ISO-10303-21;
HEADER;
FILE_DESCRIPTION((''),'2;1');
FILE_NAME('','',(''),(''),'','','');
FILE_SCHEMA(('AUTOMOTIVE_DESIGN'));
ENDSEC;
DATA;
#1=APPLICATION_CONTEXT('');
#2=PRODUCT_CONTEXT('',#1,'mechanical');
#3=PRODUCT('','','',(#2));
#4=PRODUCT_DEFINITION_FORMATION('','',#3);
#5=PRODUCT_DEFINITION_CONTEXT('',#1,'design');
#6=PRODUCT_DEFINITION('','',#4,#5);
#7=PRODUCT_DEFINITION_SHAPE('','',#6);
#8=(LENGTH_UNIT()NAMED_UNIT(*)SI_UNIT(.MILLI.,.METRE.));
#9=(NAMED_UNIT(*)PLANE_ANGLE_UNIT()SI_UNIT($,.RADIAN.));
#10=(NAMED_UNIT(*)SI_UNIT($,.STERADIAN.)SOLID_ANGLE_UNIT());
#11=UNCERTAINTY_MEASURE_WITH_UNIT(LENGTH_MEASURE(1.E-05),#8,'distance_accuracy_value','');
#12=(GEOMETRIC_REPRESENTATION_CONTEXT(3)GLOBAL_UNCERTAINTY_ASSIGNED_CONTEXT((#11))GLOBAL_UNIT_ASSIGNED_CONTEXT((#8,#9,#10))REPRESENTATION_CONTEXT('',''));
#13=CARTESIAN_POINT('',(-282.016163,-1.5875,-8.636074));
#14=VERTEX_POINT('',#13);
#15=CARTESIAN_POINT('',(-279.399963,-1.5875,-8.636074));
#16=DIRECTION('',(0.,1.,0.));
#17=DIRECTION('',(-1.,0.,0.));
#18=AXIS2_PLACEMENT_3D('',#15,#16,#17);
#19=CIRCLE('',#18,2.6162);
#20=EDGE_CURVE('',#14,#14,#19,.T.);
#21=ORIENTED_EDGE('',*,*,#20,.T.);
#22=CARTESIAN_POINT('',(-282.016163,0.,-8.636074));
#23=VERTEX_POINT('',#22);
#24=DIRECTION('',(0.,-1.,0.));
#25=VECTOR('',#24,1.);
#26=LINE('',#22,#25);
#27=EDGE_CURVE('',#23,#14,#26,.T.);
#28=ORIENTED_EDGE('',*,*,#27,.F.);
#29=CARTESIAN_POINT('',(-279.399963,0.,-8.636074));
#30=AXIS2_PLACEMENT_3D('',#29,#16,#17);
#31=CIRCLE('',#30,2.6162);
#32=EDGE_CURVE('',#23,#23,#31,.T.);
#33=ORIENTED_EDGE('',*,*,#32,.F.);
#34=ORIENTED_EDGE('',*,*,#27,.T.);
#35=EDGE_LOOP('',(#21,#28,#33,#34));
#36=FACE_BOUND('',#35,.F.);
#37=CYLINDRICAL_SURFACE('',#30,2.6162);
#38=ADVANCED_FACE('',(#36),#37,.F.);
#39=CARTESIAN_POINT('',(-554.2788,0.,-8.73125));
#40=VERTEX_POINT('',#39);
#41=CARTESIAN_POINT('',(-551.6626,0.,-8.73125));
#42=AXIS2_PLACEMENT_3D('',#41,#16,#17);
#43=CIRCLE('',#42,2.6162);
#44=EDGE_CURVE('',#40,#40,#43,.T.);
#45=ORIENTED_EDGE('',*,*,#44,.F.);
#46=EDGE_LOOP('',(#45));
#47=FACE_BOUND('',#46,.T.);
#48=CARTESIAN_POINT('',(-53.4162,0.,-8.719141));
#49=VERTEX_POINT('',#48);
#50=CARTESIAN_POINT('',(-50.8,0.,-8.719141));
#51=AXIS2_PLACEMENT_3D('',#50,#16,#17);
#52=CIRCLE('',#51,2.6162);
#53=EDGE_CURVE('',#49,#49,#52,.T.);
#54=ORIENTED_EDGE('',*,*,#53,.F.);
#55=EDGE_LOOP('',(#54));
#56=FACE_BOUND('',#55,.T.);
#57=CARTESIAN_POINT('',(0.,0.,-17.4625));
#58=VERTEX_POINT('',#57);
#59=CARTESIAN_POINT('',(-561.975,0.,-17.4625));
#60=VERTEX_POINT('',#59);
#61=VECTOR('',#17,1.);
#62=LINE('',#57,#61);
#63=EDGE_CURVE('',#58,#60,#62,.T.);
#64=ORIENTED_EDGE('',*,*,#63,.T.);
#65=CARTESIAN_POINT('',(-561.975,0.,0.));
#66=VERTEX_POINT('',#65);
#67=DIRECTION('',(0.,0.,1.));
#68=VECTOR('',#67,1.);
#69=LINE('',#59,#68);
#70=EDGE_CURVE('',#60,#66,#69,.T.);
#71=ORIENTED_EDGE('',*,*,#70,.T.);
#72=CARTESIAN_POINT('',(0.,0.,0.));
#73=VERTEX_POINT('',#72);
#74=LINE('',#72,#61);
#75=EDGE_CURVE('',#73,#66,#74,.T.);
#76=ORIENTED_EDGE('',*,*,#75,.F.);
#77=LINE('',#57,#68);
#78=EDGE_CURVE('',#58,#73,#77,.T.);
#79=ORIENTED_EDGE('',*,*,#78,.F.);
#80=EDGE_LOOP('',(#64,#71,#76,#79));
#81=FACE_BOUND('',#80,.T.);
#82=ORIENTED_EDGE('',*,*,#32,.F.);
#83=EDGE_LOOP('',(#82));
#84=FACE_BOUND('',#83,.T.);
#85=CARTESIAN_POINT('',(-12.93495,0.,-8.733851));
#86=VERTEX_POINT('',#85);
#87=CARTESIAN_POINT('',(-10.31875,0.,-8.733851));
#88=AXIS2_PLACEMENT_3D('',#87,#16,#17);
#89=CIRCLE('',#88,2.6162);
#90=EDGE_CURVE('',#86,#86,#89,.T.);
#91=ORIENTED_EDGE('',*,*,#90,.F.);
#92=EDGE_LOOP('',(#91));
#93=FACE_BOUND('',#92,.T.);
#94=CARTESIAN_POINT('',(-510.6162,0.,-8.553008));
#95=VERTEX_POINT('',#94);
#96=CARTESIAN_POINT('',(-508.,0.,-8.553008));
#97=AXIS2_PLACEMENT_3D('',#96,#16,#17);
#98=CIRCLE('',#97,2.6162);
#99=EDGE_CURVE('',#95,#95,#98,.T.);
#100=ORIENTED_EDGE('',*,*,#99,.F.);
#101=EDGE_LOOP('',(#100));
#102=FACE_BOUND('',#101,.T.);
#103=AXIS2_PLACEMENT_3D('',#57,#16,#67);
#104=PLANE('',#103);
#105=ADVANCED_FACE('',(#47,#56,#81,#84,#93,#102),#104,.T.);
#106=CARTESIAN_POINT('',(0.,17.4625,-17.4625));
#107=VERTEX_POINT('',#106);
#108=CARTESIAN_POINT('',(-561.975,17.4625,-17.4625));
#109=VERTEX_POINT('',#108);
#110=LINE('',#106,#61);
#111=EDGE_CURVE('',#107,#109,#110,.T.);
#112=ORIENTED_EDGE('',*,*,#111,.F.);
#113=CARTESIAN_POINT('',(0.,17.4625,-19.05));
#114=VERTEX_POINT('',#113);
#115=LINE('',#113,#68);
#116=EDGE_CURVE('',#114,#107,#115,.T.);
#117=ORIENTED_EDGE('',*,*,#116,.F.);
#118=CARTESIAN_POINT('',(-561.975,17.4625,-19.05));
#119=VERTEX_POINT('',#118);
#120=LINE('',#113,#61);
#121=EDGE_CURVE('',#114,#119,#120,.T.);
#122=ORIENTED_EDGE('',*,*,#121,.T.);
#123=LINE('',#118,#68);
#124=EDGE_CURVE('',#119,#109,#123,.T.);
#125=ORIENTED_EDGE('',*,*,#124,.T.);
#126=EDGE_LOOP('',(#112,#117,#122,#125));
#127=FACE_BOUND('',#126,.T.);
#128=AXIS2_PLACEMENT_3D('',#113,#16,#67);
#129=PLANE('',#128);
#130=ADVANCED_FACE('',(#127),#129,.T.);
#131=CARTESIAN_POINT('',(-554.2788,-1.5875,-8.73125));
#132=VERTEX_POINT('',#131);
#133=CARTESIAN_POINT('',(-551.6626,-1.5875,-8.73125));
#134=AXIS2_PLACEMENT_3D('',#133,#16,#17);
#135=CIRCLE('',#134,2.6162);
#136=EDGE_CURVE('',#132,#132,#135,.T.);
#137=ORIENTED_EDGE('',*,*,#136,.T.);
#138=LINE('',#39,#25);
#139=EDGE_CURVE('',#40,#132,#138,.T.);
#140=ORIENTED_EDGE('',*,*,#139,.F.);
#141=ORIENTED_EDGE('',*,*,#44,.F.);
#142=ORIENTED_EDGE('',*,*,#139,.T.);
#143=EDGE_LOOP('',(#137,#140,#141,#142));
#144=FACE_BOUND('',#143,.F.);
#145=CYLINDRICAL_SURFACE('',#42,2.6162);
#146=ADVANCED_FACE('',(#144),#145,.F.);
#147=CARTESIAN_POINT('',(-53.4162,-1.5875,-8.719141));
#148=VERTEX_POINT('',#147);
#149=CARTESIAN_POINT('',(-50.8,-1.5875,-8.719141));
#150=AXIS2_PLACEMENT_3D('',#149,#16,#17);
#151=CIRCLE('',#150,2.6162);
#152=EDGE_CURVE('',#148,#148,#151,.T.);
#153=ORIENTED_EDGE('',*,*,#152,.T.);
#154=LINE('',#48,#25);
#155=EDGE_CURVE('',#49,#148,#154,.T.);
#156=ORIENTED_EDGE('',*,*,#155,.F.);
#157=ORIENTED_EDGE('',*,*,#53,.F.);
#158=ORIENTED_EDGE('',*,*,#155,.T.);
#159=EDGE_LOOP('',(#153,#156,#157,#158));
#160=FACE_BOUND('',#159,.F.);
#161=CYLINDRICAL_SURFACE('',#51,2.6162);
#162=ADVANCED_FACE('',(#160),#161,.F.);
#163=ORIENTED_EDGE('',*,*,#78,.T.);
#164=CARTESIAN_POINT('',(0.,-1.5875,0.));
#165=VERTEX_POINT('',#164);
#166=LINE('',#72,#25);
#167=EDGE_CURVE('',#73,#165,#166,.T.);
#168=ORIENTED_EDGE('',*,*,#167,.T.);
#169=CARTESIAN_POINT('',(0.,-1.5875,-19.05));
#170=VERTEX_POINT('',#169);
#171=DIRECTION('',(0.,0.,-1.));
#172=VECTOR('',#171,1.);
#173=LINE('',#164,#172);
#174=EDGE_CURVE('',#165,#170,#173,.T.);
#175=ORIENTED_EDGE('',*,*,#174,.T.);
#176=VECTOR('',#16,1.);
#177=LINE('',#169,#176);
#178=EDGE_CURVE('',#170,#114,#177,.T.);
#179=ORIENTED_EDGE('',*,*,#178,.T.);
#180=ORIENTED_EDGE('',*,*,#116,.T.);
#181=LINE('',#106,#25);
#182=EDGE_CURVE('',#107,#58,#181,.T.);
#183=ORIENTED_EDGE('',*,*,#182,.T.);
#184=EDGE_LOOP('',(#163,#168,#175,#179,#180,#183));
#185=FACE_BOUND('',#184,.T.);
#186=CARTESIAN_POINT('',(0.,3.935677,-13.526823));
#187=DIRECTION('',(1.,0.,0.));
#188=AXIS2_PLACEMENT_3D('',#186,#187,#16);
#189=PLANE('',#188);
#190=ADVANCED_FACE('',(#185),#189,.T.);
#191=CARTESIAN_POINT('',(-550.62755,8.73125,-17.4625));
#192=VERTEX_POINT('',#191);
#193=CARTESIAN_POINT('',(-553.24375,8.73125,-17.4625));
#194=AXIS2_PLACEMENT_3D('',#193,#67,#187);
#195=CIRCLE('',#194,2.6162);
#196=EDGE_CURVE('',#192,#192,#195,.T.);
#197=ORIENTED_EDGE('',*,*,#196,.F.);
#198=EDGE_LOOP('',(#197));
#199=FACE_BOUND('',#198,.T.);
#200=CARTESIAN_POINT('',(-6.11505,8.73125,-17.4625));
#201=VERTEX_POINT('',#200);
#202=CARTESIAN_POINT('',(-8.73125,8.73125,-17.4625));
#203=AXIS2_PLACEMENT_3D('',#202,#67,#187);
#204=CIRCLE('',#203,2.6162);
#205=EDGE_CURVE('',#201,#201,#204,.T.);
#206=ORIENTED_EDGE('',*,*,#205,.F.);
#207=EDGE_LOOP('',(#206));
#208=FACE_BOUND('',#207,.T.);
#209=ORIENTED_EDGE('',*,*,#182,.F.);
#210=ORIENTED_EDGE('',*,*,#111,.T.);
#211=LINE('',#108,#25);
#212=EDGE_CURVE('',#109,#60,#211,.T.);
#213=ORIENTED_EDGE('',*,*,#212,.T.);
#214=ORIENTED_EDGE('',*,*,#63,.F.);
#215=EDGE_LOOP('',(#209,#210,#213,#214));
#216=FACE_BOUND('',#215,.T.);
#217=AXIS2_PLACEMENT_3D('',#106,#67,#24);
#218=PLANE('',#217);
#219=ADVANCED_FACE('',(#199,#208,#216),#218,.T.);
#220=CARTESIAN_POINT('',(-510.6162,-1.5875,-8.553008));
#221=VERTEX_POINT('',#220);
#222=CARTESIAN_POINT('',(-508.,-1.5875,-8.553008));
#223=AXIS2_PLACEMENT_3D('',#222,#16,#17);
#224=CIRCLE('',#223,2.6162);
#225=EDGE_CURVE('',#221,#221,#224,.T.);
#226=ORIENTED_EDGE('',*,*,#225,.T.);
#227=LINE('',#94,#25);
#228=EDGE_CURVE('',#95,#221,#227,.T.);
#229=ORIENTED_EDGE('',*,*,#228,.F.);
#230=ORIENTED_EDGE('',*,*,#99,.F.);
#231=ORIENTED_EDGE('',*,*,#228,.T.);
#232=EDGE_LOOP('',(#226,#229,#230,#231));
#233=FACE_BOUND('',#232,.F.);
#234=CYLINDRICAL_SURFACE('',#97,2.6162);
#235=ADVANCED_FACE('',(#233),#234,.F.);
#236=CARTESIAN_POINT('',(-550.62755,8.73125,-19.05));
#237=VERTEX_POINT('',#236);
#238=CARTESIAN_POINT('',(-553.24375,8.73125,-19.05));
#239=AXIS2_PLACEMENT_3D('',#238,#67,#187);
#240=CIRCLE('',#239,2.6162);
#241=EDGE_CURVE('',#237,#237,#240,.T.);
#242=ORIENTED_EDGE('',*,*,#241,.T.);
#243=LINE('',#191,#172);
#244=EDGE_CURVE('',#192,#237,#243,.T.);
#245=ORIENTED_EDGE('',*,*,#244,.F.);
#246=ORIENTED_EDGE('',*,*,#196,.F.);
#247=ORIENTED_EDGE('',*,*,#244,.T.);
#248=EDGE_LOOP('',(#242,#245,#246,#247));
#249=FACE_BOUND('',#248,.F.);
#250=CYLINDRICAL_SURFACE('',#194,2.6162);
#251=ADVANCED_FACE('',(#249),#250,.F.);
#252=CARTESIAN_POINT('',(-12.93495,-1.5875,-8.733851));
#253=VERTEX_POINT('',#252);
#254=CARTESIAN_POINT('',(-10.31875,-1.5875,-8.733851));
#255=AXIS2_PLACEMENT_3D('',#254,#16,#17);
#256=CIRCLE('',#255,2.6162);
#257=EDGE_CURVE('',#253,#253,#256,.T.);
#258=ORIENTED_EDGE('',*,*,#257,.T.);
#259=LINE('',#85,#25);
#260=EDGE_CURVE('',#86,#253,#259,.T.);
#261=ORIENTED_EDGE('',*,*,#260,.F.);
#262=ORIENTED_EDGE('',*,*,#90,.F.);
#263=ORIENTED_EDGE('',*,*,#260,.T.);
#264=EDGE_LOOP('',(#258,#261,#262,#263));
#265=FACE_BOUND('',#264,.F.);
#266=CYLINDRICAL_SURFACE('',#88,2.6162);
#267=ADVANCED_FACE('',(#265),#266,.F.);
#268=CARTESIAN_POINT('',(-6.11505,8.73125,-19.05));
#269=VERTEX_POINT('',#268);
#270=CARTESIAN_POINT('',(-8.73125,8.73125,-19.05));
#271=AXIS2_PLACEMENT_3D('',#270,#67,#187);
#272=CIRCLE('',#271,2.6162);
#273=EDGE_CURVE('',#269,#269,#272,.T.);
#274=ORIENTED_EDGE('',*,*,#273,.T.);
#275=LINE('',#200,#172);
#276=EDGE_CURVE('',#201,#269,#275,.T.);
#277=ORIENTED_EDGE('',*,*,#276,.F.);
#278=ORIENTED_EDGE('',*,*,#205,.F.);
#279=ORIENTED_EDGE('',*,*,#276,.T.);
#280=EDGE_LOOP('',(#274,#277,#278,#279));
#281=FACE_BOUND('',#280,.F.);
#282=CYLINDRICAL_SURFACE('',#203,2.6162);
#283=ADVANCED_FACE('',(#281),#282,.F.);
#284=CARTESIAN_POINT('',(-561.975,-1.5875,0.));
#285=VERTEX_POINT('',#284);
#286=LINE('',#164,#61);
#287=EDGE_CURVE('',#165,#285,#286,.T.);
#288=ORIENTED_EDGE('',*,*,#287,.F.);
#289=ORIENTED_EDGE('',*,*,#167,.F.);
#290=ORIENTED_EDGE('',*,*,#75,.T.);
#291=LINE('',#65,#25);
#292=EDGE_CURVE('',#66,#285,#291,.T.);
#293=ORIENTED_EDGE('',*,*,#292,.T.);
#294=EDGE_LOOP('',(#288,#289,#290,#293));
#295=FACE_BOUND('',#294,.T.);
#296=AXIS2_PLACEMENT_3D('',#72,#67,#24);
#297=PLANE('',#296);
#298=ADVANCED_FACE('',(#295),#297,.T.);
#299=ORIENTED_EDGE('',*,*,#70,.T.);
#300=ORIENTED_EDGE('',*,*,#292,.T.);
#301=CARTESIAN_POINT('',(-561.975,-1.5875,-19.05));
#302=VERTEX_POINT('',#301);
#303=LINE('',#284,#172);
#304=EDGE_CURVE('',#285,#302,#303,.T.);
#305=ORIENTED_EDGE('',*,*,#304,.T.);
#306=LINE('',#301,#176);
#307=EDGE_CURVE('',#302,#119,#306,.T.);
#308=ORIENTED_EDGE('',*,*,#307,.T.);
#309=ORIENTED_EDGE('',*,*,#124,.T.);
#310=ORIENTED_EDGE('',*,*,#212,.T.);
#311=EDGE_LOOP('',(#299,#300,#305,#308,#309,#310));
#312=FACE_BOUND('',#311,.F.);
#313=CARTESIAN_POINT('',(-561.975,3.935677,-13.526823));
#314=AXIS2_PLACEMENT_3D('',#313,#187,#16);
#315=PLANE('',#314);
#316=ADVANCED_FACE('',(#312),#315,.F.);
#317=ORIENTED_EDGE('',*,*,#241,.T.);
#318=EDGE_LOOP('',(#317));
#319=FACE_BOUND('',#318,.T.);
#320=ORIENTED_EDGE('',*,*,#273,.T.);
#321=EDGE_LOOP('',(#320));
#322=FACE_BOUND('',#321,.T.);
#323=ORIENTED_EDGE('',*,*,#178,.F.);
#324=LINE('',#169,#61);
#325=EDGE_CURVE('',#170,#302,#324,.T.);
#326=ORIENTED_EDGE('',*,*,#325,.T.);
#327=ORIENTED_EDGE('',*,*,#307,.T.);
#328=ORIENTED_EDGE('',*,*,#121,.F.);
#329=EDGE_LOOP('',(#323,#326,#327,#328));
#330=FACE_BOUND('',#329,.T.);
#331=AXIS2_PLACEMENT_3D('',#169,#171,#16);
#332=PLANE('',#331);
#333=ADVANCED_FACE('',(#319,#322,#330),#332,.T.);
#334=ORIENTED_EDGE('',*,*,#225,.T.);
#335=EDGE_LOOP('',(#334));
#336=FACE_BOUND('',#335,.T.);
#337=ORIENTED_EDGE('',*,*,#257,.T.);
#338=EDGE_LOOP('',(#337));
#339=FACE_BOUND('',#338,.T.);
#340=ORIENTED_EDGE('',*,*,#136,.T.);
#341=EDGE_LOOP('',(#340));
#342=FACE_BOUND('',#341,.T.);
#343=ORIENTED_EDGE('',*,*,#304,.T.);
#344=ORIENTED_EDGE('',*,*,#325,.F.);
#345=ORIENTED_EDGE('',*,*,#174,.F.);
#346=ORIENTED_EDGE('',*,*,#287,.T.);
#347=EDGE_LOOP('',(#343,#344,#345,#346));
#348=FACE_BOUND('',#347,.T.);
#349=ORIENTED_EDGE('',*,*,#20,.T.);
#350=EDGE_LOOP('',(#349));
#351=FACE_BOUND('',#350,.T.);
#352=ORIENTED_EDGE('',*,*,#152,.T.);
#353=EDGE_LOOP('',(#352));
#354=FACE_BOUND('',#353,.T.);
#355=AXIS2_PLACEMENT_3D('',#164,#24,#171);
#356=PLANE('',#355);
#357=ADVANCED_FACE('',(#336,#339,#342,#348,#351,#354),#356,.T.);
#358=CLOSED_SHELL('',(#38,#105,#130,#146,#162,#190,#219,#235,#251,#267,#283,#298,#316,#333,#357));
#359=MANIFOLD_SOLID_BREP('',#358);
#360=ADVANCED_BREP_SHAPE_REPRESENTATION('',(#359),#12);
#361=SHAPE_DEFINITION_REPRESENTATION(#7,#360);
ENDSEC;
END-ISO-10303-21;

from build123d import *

# Parameters (mm, degrees)
F1_DEPTH = 561.975
F2_R     = 2.6162
F4_DEPTH = 25.4
F3_R     = 2.6162
F5_DEPTH = 25.4


with BuildPart() as f1:
    # F0 (on Right) → F1 (new body)
    with BuildSketch(Plane.YZ):
        Polygon((0, -17.4625), (0, 0), (-1.5875, 0), (-1.5875, -19.05), (17.4625, -19.05), (17.4625, -17.4625), align=None)
    extrude(amount=-F1_DEPTH)

    # F2 (on face) → F4 (cut)
    with BuildSketch(Plane(origin=(0, 0, 0), x_dir=(-1, 0, 0), z_dir=(0, 1, 0))):
        with Locations((10.31875, -8.733851)):
            Circle(F2_R)
        with Locations((279.399963, -8.636074)):
            Circle(F2_R)
        with Locations((551.6626, -8.73125)):
            Circle(F2_R)
        with Locations((508, -8.553008)):
            Circle(F2_R)
        with Locations((50.8, -8.719141)):
            Circle(F2_R)
    extrude(amount=-F4_DEPTH, mode=Mode.SUBTRACT)

    # F3 (on face) → F5 (cut)
    with BuildSketch(Plane.XY.offset(-17.4625)):
        with Locations((-8.73125, 8.73125)):
            Circle(F3_R)
        with Locations((-553.24375, 8.73125)):
            Circle(F3_R)
    extrude(amount=-F5_DEPTH, mode=Mode.SUBTRACT)


solid = f1.part
